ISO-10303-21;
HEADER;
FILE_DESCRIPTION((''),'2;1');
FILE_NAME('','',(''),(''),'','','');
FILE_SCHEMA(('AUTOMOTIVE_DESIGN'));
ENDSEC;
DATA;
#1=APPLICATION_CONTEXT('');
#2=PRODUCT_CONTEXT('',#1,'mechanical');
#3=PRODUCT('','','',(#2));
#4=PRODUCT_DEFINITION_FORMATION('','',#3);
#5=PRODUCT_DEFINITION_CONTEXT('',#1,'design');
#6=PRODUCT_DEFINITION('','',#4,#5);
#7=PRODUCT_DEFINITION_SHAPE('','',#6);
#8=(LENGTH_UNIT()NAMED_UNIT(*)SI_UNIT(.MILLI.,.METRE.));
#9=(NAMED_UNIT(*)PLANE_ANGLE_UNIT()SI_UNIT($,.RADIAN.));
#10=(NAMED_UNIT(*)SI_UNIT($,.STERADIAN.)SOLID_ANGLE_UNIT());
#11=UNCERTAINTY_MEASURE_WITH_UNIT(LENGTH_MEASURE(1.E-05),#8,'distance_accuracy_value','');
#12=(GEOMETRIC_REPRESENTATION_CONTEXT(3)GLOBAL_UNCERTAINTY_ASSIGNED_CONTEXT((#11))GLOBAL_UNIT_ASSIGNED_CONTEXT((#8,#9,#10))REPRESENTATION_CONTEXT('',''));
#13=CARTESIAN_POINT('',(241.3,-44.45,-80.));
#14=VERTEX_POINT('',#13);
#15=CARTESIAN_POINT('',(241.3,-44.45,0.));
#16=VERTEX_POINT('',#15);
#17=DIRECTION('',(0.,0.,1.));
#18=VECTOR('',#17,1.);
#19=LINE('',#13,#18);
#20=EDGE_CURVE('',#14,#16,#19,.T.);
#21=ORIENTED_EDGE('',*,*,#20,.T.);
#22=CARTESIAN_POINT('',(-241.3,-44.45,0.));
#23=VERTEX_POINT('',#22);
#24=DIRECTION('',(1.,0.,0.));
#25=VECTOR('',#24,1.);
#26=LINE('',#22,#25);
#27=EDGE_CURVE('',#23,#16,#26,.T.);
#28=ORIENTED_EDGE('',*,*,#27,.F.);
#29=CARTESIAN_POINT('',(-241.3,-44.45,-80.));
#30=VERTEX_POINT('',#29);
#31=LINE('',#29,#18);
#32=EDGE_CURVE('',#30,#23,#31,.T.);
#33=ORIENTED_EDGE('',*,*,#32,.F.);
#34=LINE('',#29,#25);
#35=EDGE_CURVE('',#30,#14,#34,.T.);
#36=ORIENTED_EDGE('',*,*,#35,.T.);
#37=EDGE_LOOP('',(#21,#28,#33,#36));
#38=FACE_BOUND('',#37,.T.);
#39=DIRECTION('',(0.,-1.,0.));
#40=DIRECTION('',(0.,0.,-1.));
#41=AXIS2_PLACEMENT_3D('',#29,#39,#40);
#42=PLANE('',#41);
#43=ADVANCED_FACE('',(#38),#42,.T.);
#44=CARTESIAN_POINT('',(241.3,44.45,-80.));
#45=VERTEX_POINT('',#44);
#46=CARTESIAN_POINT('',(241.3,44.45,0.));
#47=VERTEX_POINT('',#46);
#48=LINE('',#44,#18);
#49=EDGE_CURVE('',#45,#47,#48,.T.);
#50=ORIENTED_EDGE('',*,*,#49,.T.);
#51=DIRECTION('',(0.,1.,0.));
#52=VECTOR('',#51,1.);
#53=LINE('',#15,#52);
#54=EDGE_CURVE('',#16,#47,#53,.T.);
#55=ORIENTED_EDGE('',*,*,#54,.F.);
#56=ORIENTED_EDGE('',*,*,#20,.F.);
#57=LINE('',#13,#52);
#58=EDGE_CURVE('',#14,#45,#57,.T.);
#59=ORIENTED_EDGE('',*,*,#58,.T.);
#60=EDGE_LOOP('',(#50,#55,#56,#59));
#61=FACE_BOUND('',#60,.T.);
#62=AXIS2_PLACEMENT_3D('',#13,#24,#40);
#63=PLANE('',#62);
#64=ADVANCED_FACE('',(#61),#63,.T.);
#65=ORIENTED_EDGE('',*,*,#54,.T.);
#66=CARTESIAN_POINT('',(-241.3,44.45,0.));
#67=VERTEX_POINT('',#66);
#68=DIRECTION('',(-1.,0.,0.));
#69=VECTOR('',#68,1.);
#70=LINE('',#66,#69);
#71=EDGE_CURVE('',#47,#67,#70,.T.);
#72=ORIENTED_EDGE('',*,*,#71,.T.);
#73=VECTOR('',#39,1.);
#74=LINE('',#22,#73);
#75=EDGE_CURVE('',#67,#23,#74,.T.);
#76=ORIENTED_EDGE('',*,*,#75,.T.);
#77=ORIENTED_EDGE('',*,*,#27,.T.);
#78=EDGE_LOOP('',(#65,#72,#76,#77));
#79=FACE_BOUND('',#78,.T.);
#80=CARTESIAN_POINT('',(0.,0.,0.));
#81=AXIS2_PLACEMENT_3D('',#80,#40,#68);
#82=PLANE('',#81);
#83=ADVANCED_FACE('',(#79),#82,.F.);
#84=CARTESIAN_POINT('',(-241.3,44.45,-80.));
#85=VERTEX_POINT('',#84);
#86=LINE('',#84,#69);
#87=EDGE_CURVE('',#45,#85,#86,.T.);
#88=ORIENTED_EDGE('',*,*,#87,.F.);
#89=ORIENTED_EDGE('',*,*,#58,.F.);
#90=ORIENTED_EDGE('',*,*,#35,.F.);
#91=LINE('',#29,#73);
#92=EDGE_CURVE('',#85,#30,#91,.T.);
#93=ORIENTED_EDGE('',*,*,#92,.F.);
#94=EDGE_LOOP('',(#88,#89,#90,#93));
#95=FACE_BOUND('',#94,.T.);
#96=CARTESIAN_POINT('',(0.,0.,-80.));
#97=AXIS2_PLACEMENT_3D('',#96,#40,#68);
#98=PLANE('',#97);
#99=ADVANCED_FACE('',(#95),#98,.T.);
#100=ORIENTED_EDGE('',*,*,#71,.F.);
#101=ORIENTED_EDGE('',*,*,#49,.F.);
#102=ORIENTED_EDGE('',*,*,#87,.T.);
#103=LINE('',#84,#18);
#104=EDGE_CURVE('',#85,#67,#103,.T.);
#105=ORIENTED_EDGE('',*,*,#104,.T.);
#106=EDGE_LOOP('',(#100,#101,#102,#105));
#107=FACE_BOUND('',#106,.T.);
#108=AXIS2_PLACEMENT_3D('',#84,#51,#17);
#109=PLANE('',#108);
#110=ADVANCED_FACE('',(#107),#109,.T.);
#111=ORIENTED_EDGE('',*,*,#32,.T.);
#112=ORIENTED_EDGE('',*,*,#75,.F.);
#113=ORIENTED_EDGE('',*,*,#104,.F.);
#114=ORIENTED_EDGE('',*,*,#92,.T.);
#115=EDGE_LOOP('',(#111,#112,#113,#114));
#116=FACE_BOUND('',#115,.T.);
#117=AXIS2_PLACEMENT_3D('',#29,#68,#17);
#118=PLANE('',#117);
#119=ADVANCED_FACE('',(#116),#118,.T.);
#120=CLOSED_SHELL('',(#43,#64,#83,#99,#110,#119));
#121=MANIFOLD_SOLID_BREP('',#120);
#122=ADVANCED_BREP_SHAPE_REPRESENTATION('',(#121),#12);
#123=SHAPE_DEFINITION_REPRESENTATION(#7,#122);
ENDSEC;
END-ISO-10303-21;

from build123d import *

# Parameters (mm, degrees)
SKIZZE1_W                       = 482.6
SKIZZE1_H                       = 88.9
AUFSATZ_LINEAR_AUSTRAGEN1_DEPTH = 80


with BuildPart() as part:
    # Skizze1 → Aufsatz-Linear austragen1 (new body)
    with BuildSketch(Plane.XY):
        Rectangle(SKIZZE1_W, SKIZZE1_H)
    extrude(amount=-AUFSATZ_LINEAR_AUSTRAGEN1_DEPTH)


solid = part.part
